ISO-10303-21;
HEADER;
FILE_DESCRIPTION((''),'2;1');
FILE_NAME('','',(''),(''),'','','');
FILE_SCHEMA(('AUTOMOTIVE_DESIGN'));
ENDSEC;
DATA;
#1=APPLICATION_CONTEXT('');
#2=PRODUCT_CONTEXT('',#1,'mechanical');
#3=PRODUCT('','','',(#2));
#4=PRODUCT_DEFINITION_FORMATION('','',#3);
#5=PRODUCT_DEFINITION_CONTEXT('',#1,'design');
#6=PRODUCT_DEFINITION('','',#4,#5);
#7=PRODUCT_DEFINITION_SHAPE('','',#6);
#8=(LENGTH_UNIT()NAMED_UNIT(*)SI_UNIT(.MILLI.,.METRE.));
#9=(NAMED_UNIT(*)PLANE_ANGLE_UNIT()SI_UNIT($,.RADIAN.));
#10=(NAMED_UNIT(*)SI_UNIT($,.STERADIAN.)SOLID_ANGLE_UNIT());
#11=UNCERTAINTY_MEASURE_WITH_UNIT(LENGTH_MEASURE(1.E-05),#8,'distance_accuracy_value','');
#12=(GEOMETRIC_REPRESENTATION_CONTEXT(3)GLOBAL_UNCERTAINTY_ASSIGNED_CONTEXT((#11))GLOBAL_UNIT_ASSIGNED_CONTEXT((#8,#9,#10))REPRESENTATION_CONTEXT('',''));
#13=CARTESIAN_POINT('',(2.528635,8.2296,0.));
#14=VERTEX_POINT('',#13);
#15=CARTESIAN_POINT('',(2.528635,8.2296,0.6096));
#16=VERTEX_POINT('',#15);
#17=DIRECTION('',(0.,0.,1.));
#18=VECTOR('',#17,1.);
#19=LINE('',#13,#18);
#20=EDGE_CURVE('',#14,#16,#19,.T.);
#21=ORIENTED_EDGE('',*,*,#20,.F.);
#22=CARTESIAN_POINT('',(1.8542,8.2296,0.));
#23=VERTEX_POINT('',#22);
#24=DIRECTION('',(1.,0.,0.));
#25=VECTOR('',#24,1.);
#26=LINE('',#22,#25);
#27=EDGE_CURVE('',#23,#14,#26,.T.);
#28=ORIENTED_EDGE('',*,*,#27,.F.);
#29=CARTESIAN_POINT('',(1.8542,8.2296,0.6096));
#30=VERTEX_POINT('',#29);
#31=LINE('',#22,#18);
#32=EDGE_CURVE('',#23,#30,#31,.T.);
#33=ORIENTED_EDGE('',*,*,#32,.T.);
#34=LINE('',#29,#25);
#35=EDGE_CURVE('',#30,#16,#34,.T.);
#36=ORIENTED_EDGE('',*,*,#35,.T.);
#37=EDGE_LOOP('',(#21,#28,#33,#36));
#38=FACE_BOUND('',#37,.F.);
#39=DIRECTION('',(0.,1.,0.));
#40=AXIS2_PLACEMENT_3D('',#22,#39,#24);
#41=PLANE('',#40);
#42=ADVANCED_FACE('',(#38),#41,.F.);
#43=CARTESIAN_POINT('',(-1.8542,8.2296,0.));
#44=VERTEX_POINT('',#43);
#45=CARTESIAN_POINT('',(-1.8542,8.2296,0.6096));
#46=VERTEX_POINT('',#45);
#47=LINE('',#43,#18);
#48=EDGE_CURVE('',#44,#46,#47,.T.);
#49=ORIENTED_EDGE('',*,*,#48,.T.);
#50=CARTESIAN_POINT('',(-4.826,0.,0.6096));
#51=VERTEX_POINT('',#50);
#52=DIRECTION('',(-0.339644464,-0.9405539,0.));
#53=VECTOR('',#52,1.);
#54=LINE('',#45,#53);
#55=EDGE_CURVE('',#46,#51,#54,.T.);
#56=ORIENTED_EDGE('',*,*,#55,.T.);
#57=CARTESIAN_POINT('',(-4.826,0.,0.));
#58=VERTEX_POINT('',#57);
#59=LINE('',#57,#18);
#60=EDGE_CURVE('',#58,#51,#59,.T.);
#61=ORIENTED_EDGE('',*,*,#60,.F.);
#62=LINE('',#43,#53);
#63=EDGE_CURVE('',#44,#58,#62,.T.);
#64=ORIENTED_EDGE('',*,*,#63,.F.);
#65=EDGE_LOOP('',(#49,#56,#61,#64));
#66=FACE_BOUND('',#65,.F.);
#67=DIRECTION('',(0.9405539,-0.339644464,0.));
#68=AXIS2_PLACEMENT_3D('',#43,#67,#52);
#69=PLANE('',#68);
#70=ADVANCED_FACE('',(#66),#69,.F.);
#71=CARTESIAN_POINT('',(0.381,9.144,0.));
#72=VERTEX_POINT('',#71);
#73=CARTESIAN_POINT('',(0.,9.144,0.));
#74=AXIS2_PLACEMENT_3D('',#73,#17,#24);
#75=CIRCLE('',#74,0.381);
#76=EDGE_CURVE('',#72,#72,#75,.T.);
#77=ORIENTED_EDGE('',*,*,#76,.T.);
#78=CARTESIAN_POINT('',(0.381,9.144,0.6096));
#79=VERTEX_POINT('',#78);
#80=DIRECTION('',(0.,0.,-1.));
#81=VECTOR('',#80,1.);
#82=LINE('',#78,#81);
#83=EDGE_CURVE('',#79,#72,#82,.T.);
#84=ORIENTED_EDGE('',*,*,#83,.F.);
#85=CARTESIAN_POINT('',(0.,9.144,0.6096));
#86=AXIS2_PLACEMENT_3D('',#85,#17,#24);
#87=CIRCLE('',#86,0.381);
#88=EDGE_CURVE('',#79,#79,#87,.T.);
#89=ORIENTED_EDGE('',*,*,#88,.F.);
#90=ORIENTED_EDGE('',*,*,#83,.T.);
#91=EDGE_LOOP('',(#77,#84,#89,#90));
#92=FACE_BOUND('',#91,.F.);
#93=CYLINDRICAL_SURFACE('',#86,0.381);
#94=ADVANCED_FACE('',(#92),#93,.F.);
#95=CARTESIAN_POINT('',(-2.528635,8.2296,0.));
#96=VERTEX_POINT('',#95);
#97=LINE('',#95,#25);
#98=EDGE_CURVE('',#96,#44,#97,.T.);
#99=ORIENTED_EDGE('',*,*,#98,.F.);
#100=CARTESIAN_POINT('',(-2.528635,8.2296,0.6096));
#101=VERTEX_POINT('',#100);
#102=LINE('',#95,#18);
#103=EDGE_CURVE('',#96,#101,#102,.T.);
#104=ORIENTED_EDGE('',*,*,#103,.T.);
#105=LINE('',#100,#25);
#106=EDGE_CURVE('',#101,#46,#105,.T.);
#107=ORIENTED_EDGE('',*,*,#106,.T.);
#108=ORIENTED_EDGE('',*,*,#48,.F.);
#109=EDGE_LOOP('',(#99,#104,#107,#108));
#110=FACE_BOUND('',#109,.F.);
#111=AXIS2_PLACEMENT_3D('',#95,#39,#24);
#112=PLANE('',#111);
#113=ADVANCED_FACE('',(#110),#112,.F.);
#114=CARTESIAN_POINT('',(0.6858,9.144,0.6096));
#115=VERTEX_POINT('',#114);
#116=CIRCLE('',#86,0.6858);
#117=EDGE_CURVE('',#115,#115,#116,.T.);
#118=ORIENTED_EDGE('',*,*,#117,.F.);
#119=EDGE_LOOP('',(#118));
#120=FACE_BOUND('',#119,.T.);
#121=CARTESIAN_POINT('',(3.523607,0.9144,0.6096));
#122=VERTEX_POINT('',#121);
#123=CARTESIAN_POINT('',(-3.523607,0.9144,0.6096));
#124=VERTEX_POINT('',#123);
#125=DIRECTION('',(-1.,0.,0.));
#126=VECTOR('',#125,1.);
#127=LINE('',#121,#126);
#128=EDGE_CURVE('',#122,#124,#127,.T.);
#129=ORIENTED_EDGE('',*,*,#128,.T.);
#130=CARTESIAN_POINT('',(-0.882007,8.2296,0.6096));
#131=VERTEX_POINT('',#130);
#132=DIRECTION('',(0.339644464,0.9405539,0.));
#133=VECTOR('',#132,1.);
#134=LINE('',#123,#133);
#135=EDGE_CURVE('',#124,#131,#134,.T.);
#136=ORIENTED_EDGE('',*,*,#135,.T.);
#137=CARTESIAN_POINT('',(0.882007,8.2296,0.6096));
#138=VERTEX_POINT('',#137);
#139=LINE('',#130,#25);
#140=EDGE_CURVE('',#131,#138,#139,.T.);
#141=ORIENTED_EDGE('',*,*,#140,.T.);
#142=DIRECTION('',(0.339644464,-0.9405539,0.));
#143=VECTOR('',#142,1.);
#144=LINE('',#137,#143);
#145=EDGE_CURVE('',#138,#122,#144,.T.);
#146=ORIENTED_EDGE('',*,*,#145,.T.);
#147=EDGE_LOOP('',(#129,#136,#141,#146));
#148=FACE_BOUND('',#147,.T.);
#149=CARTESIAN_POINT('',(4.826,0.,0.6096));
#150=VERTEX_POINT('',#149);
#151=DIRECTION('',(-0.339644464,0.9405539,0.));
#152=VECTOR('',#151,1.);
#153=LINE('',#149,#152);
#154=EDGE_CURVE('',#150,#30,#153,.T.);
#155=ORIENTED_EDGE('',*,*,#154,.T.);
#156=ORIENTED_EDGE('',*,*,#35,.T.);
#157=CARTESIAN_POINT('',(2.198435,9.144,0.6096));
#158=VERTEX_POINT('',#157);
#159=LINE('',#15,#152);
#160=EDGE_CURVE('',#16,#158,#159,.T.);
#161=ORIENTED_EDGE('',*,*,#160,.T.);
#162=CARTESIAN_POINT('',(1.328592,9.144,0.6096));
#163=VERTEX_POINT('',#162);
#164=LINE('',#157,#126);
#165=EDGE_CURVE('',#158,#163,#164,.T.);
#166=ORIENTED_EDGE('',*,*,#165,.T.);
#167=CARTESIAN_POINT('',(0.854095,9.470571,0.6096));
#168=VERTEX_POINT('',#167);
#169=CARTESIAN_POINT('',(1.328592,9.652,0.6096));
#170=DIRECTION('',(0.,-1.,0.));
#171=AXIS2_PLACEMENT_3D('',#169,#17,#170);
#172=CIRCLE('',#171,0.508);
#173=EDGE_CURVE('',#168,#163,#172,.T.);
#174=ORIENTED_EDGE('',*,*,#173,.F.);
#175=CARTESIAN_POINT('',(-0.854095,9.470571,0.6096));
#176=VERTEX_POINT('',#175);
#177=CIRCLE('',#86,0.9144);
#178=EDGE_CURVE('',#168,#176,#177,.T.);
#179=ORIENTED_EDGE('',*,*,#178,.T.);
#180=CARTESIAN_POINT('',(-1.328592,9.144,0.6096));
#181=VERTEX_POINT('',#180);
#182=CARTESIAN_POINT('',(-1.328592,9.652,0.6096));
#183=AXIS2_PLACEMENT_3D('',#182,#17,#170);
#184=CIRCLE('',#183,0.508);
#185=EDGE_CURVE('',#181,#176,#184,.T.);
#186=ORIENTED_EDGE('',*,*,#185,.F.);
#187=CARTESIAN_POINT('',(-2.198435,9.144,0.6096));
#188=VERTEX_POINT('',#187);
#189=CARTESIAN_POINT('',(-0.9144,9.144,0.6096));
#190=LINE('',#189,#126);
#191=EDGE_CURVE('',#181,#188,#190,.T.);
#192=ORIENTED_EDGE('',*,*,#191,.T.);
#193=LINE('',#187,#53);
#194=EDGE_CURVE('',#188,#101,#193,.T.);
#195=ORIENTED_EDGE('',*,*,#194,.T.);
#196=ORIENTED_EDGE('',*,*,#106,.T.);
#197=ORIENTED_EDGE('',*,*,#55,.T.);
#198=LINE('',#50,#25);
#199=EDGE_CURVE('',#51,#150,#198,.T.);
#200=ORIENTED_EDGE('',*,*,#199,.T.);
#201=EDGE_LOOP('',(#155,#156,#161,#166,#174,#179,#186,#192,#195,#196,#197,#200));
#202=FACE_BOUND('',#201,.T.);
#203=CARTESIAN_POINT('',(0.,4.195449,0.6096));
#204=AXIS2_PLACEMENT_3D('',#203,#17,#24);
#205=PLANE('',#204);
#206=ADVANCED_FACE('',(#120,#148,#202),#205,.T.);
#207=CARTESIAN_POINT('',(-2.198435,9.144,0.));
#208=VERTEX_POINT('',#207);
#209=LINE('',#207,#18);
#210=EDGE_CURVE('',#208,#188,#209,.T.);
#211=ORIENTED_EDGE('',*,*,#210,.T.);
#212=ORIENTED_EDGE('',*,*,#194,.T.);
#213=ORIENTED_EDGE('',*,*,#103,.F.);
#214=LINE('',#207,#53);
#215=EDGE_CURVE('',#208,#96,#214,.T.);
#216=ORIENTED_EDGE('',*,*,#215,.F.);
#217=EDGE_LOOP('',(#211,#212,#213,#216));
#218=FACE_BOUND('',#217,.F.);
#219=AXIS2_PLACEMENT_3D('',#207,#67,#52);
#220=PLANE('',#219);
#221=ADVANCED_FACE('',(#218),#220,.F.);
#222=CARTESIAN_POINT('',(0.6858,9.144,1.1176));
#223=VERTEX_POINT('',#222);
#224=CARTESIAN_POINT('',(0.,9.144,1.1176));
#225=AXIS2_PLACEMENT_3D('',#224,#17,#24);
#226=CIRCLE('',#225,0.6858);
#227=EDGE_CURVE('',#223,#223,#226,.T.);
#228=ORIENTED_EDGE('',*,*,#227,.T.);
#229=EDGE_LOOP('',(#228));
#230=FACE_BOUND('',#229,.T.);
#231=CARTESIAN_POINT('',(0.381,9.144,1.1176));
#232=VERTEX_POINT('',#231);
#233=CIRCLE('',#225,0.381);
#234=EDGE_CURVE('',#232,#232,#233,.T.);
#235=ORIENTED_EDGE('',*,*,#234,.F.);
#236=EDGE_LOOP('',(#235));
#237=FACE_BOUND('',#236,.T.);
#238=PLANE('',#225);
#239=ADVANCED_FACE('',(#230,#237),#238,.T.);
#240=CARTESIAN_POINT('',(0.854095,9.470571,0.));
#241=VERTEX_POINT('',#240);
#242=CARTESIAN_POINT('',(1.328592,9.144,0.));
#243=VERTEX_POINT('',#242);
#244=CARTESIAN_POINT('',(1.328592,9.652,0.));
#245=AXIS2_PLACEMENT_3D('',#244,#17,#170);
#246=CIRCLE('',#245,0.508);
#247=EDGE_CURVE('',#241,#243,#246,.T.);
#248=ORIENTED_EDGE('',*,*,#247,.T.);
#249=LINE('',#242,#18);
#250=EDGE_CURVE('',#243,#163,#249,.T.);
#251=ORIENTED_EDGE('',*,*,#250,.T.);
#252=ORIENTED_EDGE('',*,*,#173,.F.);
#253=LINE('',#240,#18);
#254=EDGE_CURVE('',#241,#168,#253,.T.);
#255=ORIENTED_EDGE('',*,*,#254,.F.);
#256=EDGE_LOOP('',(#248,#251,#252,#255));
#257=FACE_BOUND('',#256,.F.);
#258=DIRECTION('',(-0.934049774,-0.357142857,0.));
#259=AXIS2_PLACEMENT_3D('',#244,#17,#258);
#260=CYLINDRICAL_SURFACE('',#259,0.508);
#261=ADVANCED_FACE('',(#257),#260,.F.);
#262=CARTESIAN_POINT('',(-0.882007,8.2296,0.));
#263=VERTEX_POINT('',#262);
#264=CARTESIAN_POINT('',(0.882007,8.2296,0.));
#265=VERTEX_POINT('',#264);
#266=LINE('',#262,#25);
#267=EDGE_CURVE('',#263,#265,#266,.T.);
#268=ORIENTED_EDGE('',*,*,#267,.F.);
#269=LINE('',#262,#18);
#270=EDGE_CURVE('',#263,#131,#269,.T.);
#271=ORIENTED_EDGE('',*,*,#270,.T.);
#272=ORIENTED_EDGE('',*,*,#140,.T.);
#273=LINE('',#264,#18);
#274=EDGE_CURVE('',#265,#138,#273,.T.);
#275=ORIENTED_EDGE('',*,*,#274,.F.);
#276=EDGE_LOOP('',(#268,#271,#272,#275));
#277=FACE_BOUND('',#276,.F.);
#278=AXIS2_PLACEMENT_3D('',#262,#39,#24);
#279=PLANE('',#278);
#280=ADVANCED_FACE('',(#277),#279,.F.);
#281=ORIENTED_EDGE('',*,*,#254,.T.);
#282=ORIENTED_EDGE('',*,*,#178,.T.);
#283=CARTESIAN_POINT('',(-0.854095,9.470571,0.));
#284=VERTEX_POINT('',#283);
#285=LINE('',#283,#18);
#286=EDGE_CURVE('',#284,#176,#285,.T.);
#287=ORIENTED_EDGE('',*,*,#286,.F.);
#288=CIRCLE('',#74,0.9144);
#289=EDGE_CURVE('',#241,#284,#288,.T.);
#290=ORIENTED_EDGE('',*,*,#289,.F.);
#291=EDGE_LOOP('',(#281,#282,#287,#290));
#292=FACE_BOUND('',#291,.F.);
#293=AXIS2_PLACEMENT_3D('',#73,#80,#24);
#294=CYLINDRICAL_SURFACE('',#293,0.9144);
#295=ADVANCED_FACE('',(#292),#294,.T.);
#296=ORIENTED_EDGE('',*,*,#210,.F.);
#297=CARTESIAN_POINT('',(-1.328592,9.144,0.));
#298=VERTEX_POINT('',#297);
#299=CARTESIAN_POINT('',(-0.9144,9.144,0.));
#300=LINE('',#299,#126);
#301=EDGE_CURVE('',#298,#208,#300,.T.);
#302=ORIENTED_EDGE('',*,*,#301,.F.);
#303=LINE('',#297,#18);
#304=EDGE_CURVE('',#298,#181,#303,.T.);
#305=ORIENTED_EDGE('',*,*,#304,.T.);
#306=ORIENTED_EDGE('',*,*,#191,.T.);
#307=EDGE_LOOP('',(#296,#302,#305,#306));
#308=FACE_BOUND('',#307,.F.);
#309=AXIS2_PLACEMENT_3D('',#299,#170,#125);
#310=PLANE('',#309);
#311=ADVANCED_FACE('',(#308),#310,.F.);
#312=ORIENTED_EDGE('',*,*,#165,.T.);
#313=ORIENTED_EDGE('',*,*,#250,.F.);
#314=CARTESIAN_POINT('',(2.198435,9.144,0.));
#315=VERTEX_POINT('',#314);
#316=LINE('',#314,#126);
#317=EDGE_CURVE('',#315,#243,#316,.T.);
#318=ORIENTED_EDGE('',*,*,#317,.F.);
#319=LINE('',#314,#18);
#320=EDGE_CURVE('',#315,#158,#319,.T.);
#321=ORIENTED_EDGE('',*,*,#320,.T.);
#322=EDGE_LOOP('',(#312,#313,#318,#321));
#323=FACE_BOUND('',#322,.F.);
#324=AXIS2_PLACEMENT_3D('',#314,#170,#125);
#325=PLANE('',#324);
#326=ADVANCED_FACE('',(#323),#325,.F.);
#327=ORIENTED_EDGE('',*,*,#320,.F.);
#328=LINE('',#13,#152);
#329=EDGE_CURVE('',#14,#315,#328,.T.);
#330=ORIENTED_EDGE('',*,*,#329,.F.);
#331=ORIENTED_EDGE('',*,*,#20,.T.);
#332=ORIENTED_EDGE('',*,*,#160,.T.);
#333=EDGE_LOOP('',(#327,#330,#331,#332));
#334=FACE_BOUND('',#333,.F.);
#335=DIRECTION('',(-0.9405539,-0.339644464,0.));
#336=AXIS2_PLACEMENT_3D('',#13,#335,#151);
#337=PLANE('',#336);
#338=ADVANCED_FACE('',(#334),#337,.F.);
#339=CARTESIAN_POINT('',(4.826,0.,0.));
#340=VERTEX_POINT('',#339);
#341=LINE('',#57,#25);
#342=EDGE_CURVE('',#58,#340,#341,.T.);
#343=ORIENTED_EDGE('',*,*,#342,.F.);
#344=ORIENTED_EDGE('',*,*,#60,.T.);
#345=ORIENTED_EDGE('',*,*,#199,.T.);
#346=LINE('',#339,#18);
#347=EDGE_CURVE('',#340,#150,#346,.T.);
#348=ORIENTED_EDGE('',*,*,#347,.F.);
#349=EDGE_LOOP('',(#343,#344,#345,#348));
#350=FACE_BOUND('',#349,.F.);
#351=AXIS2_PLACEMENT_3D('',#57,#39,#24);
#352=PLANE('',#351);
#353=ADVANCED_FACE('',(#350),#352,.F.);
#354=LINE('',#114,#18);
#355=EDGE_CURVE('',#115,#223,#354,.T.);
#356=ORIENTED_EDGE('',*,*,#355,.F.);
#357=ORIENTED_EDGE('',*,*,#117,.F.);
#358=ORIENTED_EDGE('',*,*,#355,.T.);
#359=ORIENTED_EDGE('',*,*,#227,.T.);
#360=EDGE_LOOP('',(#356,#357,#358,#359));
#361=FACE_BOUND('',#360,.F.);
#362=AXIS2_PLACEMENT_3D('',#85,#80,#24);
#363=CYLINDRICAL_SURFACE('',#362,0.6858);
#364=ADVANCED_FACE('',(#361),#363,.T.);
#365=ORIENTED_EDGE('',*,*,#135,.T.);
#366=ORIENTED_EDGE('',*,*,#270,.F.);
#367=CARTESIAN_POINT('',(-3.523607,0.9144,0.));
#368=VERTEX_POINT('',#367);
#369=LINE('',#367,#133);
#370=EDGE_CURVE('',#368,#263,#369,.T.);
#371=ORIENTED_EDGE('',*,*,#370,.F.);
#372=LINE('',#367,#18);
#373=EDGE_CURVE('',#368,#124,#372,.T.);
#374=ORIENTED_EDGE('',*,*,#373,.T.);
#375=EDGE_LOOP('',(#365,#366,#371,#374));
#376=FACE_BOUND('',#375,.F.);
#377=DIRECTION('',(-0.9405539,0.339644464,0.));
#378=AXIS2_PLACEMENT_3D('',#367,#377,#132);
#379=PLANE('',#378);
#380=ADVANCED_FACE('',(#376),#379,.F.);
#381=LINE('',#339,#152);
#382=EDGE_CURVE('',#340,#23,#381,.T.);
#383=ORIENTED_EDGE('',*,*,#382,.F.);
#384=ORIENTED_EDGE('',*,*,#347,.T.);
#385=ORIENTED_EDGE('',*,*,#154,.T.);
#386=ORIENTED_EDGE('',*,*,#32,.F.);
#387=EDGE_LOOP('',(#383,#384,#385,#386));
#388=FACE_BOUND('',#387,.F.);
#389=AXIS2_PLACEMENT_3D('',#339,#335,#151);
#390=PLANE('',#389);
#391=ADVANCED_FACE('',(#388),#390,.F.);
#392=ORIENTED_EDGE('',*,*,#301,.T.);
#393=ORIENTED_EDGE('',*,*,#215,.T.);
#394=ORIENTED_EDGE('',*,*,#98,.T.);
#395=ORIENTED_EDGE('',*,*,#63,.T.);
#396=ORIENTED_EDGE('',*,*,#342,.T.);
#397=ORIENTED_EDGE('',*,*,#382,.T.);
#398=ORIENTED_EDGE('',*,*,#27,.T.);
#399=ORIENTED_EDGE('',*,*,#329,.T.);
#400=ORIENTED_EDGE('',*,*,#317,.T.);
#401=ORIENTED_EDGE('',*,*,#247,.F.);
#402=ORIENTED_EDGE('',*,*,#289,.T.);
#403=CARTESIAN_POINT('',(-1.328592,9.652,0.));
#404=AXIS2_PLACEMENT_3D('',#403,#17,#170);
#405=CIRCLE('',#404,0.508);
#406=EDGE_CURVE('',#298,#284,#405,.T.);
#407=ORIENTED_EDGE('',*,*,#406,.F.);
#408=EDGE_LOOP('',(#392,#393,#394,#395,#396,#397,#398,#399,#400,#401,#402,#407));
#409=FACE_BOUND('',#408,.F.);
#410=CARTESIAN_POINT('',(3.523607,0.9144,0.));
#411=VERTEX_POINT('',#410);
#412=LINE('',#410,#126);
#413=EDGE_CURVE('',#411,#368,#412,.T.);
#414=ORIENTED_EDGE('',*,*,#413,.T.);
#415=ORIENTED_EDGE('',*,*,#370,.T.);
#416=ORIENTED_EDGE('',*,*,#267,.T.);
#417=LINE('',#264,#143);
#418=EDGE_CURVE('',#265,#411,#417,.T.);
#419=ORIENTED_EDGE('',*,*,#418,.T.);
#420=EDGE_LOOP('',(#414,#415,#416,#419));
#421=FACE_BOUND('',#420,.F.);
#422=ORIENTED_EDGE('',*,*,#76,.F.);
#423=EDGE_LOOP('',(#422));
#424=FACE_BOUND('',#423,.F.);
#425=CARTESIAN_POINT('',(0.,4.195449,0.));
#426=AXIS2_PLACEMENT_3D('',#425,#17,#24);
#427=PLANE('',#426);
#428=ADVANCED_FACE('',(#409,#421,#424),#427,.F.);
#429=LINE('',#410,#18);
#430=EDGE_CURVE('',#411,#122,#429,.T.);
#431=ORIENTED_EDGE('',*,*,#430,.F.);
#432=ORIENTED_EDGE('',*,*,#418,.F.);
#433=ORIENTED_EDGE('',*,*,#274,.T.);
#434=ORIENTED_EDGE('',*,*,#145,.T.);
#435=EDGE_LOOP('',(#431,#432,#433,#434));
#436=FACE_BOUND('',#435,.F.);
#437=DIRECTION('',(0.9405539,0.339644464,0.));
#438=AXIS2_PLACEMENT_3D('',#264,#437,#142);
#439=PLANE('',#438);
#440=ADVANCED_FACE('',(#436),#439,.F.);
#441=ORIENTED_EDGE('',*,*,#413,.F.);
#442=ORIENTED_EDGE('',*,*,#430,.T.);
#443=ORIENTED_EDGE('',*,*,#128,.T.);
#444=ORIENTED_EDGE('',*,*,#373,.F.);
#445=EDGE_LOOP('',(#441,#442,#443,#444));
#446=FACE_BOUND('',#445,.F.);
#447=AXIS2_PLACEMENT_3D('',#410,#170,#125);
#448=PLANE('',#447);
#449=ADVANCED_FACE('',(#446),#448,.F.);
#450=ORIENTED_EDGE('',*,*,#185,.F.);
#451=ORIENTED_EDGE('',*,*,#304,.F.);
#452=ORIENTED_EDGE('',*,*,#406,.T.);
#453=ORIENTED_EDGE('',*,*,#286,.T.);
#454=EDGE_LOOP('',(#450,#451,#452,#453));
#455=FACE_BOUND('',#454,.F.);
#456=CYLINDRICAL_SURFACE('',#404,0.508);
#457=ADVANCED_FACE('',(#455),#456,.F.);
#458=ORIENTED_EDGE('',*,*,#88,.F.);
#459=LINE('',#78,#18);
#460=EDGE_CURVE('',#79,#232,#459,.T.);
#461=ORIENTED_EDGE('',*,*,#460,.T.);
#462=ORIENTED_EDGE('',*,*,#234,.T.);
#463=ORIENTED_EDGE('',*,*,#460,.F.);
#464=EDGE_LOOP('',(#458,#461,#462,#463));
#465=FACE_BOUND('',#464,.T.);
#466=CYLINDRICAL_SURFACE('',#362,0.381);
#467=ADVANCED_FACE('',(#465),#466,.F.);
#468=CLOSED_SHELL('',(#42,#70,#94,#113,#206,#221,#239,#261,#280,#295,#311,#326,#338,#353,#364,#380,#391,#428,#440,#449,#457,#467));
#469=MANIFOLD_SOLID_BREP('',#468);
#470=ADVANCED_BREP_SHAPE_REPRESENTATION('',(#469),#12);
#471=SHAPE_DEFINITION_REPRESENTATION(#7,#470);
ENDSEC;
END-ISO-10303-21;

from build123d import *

# Parameters (mm, degrees)
F1_DEPTH = 0.6096
F2_R     = 0.381
F3_DEPTH = 25.4
F4_R     = 0.508
F5_R     = 0.6858
F5_R_2   = 0.381
F6_DEPTH = 0.508


with BuildPart() as f1:
    # F0 (on Top) → F1 (new body)
    with BuildSketch(Plane.XY):
        with BuildLine():
            Line((-1.8542, 8.2296), (-4.826, 0))
            Line((-4.826, 0), (0, 0))
            Line((0, 0), (4.826, 0))
            Line((4.826, 0), (1.8542, 8.2296))
            Line((1.8542, 8.2296), (2.528635, 8.2296))
            Line((2.528635, 8.2296), (2.198435, 9.144))
            Line((2.198435, 9.144), (1.524, 9.144))
            Line((1.524, 9.144), (0.9144, 9.144))
            ThreePointArc((0.9144, 9.144), (0, 10.0584), (-0.9144, 9.144))
            Line((-0.9144, 9.144), (-1.524, 9.144))
            Line((-1.524, 9.144), (-2.198435, 9.144))
            Line((-2.198435, 9.144), (-2.528635, 8.2296))
            Line((-2.528635, 8.2296), (-1.8542, 8.2296))
        make_face()
        Polygon((3.523607, 0.9144), (0, 0.9144), (-3.523607, 0.9144), (-0.882007, 8.2296), (0, 8.2296), (0.882007, 8.2296), align=None, mode=Mode.SUBTRACT)
    extrude(amount=F1_DEPTH)

    # F2 (on face) → F3 (cut)
    with BuildSketch(Plane.XY.offset(0.6096)):
        with Locations((0, 9.144)):
            Circle(F2_R)
    extrude(amount=-F3_DEPTH, mode=Mode.SUBTRACT)

    # F4
    f4_edges = [f1.edges().sort_by_distance(p)[0] for p in [
        (0.9144, 9.144, 0.3048),
        (-0.9144, 9.144, 0.3048),
    ]]
    fillet(f4_edges, radius=F4_R)

    # F5 (on face) → F6 (join)
    with BuildSketch(Plane.XY.offset(0.6096)):
        with Locations((0, 9.144)):
            Circle(F5_R)
        with Locations((0, 9.144)):
            Circle(F5_R_2, mode=Mode.SUBTRACT)
    extrude(amount=F6_DEPTH)


solid = f1.part
